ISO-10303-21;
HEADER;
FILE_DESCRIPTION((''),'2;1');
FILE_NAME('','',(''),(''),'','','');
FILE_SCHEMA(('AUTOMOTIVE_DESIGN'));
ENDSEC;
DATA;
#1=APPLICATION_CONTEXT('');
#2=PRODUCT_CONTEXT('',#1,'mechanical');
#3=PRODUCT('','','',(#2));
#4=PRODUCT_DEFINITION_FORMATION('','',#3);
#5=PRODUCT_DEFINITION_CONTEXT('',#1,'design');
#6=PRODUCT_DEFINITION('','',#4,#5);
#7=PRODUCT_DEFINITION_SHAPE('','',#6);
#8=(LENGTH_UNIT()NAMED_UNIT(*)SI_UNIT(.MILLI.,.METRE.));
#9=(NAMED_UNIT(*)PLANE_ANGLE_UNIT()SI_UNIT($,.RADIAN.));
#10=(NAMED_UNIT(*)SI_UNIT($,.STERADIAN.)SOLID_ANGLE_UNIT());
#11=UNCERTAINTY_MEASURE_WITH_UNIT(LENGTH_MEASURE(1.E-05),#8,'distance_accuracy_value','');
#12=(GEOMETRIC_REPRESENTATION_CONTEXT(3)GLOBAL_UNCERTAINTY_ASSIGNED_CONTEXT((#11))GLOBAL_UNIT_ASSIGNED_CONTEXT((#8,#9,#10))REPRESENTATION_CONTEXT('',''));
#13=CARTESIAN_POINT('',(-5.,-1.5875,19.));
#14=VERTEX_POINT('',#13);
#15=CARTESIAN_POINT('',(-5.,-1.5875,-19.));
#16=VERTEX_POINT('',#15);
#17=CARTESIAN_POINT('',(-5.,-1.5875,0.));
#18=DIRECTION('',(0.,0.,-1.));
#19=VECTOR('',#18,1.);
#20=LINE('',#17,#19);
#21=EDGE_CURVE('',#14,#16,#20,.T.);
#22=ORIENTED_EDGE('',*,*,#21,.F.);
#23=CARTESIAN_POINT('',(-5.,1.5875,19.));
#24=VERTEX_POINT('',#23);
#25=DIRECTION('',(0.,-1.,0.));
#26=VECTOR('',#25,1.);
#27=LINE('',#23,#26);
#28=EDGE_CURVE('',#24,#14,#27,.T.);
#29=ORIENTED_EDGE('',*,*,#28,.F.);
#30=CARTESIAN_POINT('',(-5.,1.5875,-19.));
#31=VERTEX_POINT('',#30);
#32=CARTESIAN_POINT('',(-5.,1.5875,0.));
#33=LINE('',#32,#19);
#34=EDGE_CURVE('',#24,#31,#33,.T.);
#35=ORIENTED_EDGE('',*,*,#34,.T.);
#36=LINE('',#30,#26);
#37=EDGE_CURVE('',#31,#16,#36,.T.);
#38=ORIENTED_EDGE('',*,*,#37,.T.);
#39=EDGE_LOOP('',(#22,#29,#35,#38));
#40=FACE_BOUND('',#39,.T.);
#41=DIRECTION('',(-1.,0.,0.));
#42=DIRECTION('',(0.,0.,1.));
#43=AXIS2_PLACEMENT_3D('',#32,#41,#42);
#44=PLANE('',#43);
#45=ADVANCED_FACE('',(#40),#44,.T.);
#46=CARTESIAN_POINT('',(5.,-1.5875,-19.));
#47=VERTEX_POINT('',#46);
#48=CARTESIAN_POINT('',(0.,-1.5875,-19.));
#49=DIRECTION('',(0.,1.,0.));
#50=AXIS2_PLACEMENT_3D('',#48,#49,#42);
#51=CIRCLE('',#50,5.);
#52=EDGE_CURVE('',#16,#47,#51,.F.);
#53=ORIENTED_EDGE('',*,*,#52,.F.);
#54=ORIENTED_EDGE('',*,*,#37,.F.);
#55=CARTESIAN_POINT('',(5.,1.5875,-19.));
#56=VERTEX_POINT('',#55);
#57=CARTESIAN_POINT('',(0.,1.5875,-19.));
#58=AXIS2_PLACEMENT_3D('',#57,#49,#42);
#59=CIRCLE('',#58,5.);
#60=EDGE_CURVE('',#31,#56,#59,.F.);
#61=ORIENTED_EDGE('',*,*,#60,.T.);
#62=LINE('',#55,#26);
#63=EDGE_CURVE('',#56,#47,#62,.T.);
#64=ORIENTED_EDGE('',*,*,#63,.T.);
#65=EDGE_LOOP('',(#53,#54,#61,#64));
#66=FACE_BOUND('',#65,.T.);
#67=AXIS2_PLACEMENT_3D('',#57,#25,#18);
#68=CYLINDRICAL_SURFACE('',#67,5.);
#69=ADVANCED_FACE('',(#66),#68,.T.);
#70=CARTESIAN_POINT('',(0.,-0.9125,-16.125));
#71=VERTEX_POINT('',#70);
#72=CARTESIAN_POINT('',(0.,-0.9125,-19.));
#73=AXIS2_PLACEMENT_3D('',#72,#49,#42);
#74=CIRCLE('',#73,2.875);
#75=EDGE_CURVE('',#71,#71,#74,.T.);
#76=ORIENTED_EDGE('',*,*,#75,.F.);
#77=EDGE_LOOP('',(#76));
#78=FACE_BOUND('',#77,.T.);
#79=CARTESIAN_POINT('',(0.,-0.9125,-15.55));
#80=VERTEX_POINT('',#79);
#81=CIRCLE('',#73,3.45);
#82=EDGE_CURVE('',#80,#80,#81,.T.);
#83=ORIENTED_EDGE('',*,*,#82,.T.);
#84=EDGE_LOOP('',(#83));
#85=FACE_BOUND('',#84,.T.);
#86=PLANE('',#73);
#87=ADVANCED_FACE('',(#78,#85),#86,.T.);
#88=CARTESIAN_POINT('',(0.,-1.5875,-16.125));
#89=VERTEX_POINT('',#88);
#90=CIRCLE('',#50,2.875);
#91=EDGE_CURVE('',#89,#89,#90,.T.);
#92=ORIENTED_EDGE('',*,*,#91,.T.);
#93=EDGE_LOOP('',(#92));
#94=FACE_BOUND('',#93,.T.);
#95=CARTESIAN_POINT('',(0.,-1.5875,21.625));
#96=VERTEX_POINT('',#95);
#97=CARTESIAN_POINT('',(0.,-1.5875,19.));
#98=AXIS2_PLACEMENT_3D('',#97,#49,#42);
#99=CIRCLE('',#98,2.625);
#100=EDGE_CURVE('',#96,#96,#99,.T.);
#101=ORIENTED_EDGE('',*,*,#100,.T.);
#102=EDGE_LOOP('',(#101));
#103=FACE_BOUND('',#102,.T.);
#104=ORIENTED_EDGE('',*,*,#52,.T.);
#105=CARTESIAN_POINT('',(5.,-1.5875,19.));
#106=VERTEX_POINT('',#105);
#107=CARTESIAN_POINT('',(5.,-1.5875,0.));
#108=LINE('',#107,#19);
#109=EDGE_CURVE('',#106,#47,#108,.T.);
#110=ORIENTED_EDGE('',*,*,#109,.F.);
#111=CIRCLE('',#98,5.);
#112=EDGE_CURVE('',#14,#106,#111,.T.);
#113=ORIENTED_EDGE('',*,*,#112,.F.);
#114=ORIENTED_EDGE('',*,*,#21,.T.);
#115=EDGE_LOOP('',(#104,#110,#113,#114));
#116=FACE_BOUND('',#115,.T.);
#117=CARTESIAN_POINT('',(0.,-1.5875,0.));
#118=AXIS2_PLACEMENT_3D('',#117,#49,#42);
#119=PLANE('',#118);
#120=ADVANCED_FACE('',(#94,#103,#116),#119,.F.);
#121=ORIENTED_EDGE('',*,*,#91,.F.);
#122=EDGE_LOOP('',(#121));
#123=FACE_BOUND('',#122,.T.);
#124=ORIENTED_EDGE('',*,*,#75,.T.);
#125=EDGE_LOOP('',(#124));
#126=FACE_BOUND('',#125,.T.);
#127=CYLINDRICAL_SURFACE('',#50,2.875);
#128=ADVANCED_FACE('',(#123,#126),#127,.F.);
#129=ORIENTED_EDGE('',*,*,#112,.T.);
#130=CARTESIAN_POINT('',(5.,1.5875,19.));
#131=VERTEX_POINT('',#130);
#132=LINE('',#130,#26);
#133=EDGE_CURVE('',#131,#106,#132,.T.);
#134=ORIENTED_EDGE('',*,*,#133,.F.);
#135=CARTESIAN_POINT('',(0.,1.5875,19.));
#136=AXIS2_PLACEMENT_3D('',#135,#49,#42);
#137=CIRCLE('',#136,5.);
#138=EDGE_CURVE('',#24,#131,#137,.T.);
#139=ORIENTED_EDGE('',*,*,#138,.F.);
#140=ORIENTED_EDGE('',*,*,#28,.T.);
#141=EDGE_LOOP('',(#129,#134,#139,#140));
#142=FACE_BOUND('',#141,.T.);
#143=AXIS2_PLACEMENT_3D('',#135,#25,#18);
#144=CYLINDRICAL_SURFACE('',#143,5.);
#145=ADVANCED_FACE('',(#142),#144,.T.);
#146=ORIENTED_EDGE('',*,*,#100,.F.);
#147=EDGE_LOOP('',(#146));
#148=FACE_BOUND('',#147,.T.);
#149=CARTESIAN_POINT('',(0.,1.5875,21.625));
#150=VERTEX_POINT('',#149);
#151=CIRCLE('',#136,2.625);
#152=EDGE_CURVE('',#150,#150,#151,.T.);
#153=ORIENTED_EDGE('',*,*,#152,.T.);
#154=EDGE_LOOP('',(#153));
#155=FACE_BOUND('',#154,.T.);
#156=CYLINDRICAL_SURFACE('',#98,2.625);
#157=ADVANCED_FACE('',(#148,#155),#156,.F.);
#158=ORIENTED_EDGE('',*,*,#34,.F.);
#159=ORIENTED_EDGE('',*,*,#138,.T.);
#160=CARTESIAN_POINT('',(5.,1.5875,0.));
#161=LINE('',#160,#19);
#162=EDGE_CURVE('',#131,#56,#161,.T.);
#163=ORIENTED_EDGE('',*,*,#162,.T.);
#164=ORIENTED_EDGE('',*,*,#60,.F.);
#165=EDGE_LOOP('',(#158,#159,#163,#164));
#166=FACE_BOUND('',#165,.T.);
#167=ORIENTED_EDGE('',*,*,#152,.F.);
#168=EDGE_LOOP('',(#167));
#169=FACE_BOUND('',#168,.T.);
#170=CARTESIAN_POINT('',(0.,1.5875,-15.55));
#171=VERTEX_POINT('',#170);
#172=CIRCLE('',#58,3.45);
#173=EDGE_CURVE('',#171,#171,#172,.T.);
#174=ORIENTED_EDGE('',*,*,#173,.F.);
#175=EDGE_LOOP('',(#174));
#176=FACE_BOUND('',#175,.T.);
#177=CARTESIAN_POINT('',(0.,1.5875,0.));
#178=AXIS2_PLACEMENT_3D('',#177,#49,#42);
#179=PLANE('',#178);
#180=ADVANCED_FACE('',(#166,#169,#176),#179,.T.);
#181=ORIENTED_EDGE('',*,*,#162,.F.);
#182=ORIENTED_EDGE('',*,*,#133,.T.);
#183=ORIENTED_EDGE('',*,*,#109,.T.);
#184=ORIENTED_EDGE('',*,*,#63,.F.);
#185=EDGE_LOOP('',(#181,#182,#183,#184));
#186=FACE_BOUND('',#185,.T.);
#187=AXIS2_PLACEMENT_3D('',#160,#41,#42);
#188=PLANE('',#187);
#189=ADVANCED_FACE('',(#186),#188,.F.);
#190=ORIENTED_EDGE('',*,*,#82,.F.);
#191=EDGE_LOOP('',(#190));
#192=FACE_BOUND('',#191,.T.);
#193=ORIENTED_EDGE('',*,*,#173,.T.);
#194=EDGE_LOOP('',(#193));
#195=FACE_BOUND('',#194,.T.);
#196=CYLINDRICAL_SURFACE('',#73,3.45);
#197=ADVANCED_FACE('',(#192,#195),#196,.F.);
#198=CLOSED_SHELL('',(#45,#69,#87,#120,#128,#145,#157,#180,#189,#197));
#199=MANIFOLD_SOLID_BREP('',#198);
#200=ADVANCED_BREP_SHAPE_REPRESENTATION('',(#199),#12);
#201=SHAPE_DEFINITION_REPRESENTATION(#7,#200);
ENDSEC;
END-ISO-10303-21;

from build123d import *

# Parameters (mm, degrees)
SKETCH1_W           = 10
SKETCH1_H           = 38
BOSS_EXTRUDE1_DEPTH = 1.5875
SKETCH2_R           = 3.45
CUT_EXTRUDE1_DEPTH  = 2.5
SKETCH3_R           = 2.875
CUT_EXTRUDE2_DEPTH  = 1.675
SKETCH4_R           = 2.625
CUT_EXTRUDE3_DEPTH  = 4.175


with BuildPart() as part:
    # Sketch1 → Boss-Extrude1 (new body, symmetric)
    with BuildSketch(Plane(origin=(0, 0, 0), x_dir=(1, 0, 0), z_dir=(0, 1, 0))):
        with BuildLine():
            ThreePointArc((-5, 19), (0, 24), (5, 19))
            Line((5, 19), (-5, 19))
        make_face()
        Rectangle(SKETCH1_W, SKETCH1_H)
        with BuildLine():
            Line((5, -19), (-5, -19))
            ThreePointArc((-5, -19), (0, -24), (5, -19))
        make_face()
    extrude(amount=BOSS_EXTRUDE1_DEPTH, both=True)

    # Sketch2 → Cut-Extrude1 (cut)
    with BuildSketch(Plane(origin=(0, 1.5875, 0), x_dir=(1, 0, 0), z_dir=(0, 1, 0))):
        with Locations((0, 19)):
            Circle(SKETCH2_R)
    extrude(amount=-CUT_EXTRUDE1_DEPTH, mode=Mode.SUBTRACT)

    # Sketch3 → Cut-Extrude2 (cut, through all)
    with BuildSketch(Plane(origin=(0, -0.9125, 0), x_dir=(1, 0, 0), z_dir=(0, 1, 0))):
        with Locations((0, 19)):
            Circle(SKETCH3_R)
    extrude(amount=-CUT_EXTRUDE2_DEPTH, mode=Mode.SUBTRACT)

    # Sketch4 → Cut-Extrude3 (cut, through all)
    with BuildSketch(Plane(origin=(0, 1.5875, 0), x_dir=(1, 0, 0), z_dir=(0, 1, 0))):
        with Locations((0, -19)):
            Circle(SKETCH4_R)
    extrude(amount=-CUT_EXTRUDE3_DEPTH, mode=Mode.SUBTRACT)


solid = part.part
